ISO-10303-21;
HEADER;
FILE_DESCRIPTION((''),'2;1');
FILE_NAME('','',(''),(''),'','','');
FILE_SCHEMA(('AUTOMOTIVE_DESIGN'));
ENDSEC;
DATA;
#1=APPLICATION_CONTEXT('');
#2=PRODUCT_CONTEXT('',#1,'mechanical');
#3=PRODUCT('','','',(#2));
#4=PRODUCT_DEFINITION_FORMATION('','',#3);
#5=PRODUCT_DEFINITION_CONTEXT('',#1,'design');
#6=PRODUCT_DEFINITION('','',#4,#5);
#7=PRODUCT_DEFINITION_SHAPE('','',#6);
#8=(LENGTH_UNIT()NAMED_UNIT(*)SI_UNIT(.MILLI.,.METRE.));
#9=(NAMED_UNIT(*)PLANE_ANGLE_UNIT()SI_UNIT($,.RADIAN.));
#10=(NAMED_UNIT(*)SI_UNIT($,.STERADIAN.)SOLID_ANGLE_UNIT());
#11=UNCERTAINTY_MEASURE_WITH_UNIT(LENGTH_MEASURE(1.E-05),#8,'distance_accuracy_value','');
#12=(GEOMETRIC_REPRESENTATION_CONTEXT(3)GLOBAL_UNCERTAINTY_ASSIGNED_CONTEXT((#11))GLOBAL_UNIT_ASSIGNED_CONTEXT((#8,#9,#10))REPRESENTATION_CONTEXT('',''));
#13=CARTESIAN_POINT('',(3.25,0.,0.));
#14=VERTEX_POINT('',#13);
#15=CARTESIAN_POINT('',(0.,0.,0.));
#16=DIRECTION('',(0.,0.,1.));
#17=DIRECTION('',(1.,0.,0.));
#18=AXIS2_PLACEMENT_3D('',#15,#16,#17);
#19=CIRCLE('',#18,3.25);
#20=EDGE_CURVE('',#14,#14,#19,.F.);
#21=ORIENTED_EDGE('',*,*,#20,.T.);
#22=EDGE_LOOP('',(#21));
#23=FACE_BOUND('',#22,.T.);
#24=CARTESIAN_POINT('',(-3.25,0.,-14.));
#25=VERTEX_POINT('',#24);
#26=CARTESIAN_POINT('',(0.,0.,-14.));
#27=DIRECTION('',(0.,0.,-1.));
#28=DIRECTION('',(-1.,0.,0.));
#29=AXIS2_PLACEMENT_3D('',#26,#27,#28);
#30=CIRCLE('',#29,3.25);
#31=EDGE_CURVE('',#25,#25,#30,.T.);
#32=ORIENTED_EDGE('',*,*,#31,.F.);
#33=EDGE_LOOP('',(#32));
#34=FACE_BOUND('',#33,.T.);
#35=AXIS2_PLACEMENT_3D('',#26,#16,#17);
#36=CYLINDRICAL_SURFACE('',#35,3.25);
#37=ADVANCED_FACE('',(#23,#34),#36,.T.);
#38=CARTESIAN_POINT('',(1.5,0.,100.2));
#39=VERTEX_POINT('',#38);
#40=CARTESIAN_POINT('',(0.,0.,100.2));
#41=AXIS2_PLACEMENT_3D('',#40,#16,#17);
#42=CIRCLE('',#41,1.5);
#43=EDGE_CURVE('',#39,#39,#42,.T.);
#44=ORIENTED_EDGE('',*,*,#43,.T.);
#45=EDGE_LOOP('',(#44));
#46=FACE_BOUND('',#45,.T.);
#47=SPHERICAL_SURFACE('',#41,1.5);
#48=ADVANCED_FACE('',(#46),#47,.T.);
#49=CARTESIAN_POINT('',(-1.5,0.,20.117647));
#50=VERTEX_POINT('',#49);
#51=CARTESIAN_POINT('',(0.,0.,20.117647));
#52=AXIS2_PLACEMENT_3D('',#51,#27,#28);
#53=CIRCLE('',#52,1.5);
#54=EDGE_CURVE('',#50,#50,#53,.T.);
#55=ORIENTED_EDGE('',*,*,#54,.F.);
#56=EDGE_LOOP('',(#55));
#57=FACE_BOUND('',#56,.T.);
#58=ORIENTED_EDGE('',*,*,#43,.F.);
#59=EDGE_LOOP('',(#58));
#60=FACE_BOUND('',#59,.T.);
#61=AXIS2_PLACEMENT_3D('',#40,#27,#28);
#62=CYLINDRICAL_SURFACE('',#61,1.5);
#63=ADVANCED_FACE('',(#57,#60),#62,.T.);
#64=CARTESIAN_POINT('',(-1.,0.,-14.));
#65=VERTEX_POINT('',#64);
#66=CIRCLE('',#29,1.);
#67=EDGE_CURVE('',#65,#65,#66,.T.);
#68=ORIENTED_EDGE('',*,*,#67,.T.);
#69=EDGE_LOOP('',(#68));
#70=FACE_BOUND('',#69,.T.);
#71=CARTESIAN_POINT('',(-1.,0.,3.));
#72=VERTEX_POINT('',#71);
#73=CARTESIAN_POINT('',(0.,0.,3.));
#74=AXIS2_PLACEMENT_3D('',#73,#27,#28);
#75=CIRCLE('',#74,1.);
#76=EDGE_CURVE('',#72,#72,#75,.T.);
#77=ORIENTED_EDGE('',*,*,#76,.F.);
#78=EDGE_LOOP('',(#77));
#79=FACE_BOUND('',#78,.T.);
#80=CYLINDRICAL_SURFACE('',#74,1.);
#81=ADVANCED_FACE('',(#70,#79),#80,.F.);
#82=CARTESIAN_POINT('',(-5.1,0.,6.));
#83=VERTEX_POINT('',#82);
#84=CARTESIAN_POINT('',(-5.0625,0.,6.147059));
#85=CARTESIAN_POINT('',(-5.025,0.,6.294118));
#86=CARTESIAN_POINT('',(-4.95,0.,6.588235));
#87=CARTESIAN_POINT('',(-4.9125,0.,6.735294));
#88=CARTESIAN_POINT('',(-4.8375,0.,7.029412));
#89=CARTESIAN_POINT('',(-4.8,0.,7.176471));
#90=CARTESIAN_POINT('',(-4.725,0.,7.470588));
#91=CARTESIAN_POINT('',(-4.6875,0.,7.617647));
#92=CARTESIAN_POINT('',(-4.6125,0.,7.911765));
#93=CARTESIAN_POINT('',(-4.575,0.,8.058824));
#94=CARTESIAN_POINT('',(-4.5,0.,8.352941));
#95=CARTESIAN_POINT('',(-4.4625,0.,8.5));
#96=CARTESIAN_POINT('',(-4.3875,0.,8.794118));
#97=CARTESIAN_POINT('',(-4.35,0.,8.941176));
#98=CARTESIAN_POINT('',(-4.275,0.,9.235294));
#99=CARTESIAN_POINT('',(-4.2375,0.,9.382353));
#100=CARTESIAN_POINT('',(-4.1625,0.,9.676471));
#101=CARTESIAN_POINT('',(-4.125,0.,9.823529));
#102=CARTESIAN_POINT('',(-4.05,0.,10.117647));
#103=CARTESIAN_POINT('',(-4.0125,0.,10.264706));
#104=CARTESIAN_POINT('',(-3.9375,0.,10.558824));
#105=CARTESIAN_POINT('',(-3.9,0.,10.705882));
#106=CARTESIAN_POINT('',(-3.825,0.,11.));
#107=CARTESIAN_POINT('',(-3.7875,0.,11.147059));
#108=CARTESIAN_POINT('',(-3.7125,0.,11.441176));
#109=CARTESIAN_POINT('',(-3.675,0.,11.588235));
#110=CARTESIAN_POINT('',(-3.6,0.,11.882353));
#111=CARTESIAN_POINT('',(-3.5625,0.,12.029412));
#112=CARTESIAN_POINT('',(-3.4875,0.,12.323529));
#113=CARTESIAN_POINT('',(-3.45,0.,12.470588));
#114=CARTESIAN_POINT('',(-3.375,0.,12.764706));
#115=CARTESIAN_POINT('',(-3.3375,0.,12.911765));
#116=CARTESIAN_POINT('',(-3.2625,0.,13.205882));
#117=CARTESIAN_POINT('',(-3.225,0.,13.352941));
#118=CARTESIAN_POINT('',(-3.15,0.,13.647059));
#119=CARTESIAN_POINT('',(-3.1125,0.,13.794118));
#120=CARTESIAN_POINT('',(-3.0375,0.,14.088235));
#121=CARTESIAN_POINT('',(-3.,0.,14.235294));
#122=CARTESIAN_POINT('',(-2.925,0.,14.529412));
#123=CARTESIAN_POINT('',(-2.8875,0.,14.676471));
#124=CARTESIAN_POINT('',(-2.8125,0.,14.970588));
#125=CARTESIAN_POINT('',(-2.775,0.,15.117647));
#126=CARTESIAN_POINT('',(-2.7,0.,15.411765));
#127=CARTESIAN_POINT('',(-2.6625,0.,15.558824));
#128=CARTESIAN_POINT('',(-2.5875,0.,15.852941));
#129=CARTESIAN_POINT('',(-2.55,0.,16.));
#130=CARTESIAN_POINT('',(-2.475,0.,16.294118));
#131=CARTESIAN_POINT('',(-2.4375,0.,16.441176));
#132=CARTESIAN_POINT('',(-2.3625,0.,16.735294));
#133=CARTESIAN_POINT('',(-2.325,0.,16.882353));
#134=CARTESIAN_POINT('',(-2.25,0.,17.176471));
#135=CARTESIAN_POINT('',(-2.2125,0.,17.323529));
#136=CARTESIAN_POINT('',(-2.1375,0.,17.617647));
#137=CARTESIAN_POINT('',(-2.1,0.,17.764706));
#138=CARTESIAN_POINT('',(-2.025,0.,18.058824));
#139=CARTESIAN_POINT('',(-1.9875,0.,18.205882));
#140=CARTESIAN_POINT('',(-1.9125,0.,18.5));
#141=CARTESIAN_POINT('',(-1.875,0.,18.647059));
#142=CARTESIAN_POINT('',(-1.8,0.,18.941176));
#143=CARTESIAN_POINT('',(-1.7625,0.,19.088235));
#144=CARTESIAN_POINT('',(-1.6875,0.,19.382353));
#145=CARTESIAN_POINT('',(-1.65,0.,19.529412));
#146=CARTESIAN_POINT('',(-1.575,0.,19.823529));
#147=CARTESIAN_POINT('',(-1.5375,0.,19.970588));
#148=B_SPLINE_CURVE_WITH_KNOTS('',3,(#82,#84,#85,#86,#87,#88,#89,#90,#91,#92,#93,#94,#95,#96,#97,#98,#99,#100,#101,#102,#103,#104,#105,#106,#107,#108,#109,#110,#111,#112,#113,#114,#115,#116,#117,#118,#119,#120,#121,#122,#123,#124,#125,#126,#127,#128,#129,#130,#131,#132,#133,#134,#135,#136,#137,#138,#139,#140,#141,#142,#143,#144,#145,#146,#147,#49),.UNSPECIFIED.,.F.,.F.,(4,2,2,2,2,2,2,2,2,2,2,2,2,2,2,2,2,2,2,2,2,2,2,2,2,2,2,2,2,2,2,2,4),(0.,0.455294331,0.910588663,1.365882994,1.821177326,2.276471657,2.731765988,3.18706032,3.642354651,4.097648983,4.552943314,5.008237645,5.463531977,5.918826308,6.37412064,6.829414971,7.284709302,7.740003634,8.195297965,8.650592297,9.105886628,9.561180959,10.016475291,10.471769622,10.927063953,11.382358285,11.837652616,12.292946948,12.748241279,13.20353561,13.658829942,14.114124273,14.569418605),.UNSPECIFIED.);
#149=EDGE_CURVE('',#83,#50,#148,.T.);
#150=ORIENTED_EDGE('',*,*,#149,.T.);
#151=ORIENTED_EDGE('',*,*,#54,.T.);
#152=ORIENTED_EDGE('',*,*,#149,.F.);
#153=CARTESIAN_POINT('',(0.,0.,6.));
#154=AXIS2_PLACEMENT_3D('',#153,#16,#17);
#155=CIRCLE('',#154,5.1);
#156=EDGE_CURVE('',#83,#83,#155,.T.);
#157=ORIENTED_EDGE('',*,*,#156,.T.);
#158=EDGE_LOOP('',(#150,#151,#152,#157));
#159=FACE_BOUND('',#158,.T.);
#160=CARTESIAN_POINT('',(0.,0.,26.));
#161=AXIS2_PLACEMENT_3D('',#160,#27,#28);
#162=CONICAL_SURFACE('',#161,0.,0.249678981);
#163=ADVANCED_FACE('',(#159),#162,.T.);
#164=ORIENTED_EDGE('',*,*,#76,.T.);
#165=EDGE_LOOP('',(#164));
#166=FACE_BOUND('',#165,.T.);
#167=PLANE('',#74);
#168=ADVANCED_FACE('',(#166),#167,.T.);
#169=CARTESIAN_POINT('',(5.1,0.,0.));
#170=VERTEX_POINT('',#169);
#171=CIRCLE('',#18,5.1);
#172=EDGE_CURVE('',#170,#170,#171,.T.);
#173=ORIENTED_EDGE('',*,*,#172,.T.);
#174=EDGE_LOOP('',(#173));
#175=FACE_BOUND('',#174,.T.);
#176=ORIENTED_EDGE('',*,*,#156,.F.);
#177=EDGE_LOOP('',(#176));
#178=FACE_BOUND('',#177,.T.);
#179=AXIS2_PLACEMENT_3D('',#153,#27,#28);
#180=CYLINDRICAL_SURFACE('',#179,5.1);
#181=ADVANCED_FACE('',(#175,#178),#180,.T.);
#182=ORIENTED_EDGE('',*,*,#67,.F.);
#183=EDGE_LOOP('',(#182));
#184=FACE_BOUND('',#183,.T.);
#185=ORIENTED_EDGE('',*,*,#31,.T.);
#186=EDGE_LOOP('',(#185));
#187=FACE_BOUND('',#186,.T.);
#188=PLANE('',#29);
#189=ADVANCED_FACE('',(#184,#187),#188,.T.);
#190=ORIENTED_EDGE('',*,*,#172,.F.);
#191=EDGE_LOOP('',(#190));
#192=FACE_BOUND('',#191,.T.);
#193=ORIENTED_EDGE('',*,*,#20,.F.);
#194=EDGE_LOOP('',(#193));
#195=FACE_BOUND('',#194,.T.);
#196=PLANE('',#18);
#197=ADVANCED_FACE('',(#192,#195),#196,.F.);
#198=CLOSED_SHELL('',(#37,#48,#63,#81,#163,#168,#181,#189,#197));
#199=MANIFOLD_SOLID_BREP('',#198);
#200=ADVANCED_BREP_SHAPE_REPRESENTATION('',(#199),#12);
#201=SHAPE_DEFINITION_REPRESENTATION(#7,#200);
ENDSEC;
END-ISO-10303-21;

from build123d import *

# Parameters (mm, degrees)
ESQUISSE1_R             = 8.5
BOSS_EXTRU_1_DEPTH      = 10
ESQUISSE2_R             = 2.5
BOSS_EXTRU_2_DEPTH      = 157
ECHELLE2_SCALE          = 0.6
ESQUISSE5_R             = 3.25
BOSS_EXTRU_4_DEPTH      = 14
ESQUISSE6_R             = 1
ENL_V_MAT_EXTRU_1_DEPTH = 17
D_ME1_FACE_RADIUS       = 1.5
D_ME1_HEIGHT            = 1.5


with BuildPart() as part:
    # Esquisse1 → Boss.-Extru.1 (new body)
    with BuildSketch(Plane.XY):
        Circle(ESQUISSE1_R)
    extrude(amount=BOSS_EXTRU_1_DEPTH)

    # Esquisse2 → Boss.-Extru.2 (add)
    with BuildSketch(Plane.XY.offset(10)):
        Circle(ESQUISSE2_R)
    extrude(amount=BOSS_EXTRU_2_DEPTH)


with BuildPart() as part_1:
    # Echelle2: scaled about (0, 0, 0)
    add(part.part.scale(ECHELLE2_SCALE))

    # Esquisse5 → Boss.-Extru.4 (add)
    with BuildSketch(Plane(origin=(0, 0, 0), x_dir=(-1, 0, 0), z_dir=(0, 0, -1))):
        with Locations(Location((0, 0, 0), (0, 0, 180))):
            Circle(ESQUISSE5_R)
    extrude(amount=BOSS_EXTRU_4_DEPTH)

    # Esquisse6 → Enlèv. mat.-Extru.1 (cut)
    with BuildSketch(Plane(origin=(0, 0, -14), x_dir=(-1, 0, 0), z_dir=(0, 0, -1))):
        Circle(ESQUISSE6_R)
    extrude(amount=-ENL_V_MAT_EXTRU_1_DEPTH, mode=Mode.SUBTRACT)

    # Esquisse8 → Révolution1 (revolve)
    with BuildSketch(Plane(origin=(0, 0, 0), x_dir=(1, 0, 0), z_dir=(0, 1, 0)), mode=Mode.PRIVATE) as r_volution1_sk:
        Polygon((5.1, -6), (0, -6), (0, -26), align=None)
    revolve(r_volution1_sk.sketch.rotate(Axis((0, 0, 6), (0, 0, 1)), 180), axis=Axis((0, 0, 6), (0, 0, 1)))

    # Dôme1: a dome of height H over a round flat face of radius A is a cap of a sphere of radius (A * A + H * H) / (2 * H)
    d_me1_r = (D_ME1_FACE_RADIUS * D_ME1_FACE_RADIUS + D_ME1_HEIGHT * D_ME1_HEIGHT) / (2 * D_ME1_HEIGHT)
    d_me1_base = Plane((0, 0, 100.2), z_dir=(0, 0, 1))
    with Locations(d_me1_base.offset(D_ME1_HEIGHT - d_me1_r)):
        d_me1_ball = Sphere(d_me1_r, mode=Mode.PRIVATE)
    add(split(d_me1_ball, bisect_by=d_me1_base, keep=Keep.TOP, mode=Mode.PRIVATE))


solid = part_1.part
